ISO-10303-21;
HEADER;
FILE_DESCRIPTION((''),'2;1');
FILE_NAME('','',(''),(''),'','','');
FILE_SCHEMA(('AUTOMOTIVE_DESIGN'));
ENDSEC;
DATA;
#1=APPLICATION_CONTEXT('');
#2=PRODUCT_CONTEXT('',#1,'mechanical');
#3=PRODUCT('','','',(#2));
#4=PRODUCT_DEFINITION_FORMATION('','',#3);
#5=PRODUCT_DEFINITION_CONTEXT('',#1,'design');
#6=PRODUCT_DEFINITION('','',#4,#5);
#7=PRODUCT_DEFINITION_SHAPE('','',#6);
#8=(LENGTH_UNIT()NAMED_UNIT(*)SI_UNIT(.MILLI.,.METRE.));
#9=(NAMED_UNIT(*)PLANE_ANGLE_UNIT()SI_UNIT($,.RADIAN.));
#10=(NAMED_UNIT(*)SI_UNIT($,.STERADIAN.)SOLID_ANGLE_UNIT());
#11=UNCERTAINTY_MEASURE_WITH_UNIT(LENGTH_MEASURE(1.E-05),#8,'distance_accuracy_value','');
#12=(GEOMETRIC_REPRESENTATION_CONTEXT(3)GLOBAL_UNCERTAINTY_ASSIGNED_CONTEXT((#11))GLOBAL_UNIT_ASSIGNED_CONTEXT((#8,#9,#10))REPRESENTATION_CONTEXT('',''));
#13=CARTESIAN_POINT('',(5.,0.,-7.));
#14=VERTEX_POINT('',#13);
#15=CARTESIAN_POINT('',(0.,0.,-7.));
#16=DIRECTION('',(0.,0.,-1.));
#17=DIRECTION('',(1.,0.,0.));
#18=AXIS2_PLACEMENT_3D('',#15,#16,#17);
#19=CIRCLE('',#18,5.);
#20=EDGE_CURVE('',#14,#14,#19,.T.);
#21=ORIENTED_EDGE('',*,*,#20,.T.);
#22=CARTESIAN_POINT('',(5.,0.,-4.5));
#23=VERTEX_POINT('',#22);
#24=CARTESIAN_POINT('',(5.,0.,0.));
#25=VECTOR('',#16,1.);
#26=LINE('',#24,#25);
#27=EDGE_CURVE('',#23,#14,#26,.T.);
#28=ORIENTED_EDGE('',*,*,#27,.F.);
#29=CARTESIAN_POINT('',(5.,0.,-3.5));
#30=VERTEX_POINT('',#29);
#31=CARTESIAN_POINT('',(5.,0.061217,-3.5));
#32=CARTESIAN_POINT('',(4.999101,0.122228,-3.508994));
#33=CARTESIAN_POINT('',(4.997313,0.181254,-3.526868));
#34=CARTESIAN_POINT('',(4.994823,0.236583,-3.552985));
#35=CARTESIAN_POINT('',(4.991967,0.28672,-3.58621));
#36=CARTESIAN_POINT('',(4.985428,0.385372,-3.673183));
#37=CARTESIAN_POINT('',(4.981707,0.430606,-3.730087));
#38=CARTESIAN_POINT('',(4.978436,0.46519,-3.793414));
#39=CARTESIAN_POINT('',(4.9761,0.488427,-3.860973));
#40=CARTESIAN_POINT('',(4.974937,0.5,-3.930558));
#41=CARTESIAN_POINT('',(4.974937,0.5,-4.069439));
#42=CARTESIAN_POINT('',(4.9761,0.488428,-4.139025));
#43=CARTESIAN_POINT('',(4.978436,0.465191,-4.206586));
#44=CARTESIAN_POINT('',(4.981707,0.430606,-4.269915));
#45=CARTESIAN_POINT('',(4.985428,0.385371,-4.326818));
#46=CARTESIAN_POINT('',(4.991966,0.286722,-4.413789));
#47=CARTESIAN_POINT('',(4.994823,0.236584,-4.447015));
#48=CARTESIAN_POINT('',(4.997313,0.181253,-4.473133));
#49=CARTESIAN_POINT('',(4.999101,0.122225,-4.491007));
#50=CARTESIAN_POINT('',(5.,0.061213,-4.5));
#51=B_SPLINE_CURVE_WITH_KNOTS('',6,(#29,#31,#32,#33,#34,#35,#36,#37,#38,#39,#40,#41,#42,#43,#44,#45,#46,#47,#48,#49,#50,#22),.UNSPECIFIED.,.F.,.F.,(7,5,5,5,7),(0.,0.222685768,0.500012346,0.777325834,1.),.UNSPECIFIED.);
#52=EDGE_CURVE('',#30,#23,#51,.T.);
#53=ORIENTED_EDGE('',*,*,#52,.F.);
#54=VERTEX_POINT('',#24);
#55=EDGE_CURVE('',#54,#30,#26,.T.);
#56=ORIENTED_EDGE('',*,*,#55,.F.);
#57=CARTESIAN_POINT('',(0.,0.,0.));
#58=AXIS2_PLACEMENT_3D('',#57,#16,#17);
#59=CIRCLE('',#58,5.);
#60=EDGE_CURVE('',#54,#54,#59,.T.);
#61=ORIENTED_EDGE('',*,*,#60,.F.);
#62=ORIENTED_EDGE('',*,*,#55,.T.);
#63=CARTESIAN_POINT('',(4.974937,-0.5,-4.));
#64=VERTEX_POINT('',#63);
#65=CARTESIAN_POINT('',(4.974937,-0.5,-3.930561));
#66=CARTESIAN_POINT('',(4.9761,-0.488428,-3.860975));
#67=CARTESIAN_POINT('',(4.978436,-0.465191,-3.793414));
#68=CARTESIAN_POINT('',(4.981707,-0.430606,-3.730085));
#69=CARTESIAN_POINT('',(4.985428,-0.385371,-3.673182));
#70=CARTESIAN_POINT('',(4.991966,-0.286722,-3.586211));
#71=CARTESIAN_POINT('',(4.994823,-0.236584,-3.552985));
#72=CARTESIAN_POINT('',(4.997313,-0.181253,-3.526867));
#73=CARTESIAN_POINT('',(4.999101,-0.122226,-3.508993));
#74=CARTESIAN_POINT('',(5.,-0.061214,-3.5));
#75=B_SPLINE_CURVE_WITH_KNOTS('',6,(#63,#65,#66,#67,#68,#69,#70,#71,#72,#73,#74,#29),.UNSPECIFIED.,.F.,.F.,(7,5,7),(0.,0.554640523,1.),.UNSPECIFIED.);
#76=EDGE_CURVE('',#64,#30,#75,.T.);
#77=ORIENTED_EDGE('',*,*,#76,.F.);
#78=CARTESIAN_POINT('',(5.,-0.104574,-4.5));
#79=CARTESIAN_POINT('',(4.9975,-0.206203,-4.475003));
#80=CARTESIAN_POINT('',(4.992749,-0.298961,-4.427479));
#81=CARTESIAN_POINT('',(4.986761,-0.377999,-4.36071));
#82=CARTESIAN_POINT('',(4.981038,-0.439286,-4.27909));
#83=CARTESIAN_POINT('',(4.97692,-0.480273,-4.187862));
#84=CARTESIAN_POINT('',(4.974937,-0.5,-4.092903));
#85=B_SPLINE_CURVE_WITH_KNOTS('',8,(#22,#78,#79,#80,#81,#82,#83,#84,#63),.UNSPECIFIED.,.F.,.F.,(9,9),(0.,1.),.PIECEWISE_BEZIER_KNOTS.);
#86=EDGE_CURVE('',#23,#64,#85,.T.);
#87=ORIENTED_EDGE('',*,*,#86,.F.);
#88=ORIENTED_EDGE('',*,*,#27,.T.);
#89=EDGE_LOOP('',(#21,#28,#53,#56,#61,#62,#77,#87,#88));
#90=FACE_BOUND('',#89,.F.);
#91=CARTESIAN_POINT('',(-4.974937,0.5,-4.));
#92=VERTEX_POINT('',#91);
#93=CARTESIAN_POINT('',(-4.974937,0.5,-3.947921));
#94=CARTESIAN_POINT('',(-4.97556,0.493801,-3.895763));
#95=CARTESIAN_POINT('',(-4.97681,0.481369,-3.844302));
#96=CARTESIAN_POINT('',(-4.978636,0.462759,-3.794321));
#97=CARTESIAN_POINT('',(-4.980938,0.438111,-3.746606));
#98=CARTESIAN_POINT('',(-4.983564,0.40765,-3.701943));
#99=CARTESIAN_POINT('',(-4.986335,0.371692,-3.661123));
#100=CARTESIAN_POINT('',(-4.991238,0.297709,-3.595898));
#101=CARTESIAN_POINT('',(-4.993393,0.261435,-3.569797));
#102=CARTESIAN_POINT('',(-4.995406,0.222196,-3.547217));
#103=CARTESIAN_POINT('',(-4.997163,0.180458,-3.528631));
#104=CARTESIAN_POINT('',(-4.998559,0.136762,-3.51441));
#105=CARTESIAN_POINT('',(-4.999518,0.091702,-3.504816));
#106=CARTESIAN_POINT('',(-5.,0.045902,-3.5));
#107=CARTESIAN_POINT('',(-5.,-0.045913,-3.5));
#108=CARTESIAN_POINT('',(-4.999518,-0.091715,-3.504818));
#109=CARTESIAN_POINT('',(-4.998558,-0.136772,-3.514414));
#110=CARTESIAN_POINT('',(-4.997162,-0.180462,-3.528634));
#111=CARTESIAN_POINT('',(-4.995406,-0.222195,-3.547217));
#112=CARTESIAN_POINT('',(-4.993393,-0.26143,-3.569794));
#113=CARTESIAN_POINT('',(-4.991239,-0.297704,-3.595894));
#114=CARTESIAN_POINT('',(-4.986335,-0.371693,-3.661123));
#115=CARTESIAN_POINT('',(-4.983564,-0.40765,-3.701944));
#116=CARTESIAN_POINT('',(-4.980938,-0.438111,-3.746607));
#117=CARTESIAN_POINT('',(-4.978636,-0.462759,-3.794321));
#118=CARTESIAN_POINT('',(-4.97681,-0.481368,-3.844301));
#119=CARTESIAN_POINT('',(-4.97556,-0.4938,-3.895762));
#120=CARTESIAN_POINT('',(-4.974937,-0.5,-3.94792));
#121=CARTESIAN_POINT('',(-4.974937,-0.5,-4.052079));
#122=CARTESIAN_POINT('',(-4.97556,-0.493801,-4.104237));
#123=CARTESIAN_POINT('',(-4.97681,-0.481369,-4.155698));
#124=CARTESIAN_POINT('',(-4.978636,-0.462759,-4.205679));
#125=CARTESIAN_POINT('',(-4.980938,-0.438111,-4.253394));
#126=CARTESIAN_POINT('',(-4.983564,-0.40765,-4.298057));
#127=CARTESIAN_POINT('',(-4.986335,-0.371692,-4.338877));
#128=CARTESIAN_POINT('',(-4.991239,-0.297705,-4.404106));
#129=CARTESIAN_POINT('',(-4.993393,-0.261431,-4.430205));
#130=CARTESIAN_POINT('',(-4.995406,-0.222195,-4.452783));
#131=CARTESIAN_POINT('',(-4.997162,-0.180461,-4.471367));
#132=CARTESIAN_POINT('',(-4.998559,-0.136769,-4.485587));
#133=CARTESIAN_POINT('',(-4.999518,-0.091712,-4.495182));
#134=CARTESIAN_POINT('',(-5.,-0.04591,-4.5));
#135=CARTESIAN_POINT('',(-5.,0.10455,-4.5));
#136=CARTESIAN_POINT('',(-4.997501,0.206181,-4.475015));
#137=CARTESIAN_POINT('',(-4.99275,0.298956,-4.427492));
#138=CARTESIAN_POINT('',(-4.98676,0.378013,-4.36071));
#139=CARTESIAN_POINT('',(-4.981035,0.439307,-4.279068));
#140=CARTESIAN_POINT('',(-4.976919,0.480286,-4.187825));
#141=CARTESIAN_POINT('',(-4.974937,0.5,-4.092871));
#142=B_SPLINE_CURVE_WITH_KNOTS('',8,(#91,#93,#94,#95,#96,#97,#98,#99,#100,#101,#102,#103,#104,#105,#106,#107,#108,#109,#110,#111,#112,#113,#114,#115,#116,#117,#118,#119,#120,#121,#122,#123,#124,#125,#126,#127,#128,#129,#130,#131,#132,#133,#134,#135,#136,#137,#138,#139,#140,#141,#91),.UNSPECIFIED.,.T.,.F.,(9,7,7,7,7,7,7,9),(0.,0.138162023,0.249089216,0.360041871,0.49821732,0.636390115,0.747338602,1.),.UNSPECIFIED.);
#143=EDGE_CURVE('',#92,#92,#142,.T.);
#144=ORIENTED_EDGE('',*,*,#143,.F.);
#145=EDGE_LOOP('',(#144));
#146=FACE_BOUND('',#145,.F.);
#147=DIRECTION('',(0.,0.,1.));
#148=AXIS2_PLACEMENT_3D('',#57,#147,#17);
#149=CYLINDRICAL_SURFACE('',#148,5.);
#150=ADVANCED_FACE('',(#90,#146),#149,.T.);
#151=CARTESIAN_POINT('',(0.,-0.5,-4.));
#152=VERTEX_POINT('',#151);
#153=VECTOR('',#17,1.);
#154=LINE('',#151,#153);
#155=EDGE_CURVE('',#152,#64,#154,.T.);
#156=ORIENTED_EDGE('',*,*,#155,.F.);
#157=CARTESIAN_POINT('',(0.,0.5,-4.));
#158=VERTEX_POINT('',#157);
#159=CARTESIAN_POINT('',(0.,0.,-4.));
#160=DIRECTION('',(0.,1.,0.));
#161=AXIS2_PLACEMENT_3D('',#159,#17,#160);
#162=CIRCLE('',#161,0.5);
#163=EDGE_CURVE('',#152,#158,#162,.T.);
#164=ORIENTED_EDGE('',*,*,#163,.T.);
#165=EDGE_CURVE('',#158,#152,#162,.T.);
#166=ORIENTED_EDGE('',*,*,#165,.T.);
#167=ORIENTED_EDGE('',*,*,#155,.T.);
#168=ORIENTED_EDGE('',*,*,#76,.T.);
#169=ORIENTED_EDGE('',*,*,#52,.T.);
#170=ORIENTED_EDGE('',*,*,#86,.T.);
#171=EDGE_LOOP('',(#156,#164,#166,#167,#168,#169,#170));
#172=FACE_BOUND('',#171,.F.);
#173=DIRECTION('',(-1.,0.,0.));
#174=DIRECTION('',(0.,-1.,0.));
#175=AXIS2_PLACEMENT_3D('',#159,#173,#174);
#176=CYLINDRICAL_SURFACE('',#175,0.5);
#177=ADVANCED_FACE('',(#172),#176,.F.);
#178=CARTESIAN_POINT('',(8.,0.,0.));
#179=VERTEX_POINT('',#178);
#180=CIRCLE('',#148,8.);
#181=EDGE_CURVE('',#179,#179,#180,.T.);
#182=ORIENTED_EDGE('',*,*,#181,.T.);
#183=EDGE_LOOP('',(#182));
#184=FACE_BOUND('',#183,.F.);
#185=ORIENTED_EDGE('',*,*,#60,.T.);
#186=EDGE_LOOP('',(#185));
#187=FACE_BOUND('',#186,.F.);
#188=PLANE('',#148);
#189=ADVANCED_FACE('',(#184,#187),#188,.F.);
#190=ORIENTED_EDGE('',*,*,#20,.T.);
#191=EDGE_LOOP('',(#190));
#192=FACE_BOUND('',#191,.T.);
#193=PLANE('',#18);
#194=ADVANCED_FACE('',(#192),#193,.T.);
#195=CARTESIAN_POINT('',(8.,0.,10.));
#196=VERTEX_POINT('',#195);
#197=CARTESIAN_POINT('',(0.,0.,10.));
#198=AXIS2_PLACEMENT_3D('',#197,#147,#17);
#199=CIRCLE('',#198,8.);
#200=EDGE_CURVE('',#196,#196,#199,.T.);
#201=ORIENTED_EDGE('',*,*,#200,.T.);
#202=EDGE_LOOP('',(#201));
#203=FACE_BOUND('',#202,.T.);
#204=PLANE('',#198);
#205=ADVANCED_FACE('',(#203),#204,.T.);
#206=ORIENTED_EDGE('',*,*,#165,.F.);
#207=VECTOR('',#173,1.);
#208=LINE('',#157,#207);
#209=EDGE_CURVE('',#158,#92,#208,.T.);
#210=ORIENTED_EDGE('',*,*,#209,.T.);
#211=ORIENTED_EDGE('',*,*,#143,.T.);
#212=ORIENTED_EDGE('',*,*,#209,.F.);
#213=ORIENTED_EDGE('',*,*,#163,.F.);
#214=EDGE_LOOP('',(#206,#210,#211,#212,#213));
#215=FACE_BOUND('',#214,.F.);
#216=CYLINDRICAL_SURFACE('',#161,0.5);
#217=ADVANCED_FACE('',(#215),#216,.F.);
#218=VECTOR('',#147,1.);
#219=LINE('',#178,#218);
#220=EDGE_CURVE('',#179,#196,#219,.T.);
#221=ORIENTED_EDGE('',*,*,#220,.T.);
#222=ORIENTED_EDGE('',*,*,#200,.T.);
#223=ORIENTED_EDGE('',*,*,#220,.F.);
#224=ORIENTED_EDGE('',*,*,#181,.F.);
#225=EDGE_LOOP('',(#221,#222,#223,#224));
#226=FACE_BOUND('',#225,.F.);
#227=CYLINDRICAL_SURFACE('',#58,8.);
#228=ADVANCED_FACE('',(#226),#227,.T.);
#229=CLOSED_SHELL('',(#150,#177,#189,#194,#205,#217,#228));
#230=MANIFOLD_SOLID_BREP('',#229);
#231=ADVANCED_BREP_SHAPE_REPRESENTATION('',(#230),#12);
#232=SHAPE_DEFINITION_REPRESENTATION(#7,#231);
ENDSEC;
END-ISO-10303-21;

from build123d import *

# Parameters (mm, degrees)
F0_R     = 8
F1_DEPTH = 10
F2_R     = 5
F3_DEPTH = 7
F4_R     = 0.5
F5_DEPTH = 25
F6_R     = 0.5
F7_DEPTH = 25


with BuildPart() as f1:
    # F0 (on Top) → F1 (new body)
    with BuildSketch(Plane.XY):
        Circle(F0_R)
    extrude(amount=F1_DEPTH)

    # F2 (on face) → F3 (join)
    with BuildSketch(Plane(origin=(0, 0, 0), x_dir=(1, 0, 0), z_dir=(0, 0, -1))):
        Circle(F2_R)
    extrude(amount=F3_DEPTH)

    # F4 (on Right) → F5 (cut)
    with BuildSketch(Plane.YZ):
        with Locations((0, -4)):
            Circle(F4_R)
    extrude(amount=-F5_DEPTH, mode=Mode.SUBTRACT)

    # F6 (on face) → F7 (cut)
    with BuildSketch(Plane(origin=(0, 0, 0), x_dir=(0, -1, 0), z_dir=(-1, 0, 0))):
        with Locations((0, -4)):
            Circle(F6_R)
    extrude(amount=-F7_DEPTH, mode=Mode.SUBTRACT)


solid = f1.part
